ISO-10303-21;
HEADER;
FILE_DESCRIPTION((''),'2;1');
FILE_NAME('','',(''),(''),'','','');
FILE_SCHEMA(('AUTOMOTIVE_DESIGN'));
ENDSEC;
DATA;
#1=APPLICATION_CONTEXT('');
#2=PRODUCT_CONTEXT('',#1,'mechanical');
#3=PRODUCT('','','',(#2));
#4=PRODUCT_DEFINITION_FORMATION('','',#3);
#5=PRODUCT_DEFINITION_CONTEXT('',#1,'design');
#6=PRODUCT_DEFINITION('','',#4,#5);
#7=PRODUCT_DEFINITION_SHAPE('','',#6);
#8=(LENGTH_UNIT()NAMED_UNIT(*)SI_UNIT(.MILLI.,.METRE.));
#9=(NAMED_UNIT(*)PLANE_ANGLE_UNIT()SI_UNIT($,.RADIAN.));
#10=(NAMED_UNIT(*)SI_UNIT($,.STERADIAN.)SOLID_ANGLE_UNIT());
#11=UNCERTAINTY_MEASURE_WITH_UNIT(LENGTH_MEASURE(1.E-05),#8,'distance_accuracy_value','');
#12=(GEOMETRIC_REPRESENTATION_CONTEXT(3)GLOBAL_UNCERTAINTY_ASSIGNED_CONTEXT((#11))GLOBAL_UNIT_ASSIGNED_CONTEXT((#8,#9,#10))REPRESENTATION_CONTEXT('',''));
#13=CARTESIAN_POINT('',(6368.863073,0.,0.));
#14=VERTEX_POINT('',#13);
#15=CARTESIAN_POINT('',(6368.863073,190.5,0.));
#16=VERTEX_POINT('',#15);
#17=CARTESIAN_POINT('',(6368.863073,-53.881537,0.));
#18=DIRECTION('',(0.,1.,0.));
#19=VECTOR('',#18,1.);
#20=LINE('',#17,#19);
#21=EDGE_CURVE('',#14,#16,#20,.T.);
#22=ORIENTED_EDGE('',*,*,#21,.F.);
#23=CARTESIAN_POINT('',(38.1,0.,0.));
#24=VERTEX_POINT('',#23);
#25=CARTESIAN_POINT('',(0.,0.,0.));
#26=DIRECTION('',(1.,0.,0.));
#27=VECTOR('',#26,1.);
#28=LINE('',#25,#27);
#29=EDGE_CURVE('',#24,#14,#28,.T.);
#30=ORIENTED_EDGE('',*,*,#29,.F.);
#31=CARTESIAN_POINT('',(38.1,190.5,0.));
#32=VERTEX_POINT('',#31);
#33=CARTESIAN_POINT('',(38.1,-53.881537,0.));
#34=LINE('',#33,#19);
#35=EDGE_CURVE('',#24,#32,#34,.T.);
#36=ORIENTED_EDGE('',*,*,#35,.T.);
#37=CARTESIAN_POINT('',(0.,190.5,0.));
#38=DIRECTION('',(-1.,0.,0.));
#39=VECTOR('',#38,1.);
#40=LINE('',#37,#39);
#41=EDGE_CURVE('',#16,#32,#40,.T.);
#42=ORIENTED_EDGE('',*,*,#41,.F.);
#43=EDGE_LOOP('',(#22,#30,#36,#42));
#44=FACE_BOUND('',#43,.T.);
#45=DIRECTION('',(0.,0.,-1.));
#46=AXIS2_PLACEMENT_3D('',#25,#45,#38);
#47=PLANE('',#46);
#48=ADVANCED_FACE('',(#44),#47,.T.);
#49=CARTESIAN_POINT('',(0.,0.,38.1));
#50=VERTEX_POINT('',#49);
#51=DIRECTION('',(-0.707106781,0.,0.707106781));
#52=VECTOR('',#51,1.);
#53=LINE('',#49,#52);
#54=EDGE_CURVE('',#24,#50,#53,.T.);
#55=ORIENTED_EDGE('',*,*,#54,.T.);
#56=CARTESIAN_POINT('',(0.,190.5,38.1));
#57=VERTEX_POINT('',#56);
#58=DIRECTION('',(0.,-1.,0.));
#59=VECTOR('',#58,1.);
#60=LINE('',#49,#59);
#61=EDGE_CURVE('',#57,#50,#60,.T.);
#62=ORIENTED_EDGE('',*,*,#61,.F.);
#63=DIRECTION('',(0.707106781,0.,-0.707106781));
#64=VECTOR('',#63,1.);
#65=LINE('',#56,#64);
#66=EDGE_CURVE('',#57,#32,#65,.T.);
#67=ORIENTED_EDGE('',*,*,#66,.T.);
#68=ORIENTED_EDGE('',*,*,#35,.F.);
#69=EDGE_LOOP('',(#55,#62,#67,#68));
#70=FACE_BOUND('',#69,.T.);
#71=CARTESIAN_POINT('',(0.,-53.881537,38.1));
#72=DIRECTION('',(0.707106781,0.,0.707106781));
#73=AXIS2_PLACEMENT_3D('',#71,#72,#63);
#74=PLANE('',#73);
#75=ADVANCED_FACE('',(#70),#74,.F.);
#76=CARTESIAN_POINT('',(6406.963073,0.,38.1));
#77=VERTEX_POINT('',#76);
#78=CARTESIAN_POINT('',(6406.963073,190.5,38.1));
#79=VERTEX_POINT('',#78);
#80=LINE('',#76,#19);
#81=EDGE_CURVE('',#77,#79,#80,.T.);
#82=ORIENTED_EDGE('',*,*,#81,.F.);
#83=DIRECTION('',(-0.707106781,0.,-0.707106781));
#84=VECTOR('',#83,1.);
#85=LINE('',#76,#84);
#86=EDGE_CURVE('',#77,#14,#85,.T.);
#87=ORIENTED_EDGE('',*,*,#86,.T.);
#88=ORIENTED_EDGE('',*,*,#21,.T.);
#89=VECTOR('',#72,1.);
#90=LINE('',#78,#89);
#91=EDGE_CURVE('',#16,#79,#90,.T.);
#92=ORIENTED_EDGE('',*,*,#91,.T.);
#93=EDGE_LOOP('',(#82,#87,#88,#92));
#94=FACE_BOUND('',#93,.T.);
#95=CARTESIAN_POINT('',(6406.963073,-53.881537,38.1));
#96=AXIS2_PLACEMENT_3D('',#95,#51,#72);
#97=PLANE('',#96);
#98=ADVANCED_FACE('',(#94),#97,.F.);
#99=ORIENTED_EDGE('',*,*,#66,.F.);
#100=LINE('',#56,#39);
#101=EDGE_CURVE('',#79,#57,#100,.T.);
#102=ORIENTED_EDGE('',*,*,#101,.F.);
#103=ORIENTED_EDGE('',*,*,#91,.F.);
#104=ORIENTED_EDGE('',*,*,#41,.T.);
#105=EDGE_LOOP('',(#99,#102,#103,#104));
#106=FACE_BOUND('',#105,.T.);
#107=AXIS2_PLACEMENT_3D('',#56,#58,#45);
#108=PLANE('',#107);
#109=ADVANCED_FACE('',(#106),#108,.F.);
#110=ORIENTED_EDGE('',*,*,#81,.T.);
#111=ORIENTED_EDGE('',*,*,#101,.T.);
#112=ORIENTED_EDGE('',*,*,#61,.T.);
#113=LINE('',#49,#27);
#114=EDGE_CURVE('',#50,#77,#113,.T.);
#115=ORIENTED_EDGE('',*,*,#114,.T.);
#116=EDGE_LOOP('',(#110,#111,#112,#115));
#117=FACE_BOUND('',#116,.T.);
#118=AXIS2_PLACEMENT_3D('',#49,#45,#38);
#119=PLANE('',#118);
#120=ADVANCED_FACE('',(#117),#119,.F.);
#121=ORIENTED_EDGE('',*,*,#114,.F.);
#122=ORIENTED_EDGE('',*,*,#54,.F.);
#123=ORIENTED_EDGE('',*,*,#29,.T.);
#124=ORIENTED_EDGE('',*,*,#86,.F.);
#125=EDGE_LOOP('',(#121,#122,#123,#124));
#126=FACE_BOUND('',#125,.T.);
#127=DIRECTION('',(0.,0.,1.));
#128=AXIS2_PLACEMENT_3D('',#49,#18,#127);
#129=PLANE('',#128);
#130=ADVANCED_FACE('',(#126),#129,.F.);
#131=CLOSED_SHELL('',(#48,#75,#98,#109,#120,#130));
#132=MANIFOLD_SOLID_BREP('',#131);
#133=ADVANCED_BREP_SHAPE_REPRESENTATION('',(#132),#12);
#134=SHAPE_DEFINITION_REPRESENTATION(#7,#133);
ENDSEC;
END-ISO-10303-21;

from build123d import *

# Parameters (mm, degrees)
SKETCH1_W           = 6406.963073453
SKETCH1_H           = 190.5
BOSS_EXTRUDE1_DEPTH = 38.1
CUT_EXTRUDE1_DEPTH  = 190.5


with BuildPart() as part:
    # Sketch1 → Boss-Extrude1 (new body)
    with BuildSketch(Plane.XY):
        with Locations((3203.481536727, 95.25)):
            Rectangle(SKETCH1_W, SKETCH1_H)
    extrude(amount=BOSS_EXTRUDE1_DEPTH)

    # Sketch2 → Cut-Extrude1 (cut)
    with BuildSketch(Plane(origin=(0, 190.5, 0), x_dir=(1, 0, 0), z_dir=(0, 1, 0))):
        Polygon((0, -38.1), (38.1, 0), (0, 0), align=None)
        Polygon((6406.963073453, -38.1), (6368.863073453, 0), (6406.963073453, 0), align=None)
    extrude(amount=-CUT_EXTRUDE1_DEPTH, mode=Mode.SUBTRACT)


solid = part.part
